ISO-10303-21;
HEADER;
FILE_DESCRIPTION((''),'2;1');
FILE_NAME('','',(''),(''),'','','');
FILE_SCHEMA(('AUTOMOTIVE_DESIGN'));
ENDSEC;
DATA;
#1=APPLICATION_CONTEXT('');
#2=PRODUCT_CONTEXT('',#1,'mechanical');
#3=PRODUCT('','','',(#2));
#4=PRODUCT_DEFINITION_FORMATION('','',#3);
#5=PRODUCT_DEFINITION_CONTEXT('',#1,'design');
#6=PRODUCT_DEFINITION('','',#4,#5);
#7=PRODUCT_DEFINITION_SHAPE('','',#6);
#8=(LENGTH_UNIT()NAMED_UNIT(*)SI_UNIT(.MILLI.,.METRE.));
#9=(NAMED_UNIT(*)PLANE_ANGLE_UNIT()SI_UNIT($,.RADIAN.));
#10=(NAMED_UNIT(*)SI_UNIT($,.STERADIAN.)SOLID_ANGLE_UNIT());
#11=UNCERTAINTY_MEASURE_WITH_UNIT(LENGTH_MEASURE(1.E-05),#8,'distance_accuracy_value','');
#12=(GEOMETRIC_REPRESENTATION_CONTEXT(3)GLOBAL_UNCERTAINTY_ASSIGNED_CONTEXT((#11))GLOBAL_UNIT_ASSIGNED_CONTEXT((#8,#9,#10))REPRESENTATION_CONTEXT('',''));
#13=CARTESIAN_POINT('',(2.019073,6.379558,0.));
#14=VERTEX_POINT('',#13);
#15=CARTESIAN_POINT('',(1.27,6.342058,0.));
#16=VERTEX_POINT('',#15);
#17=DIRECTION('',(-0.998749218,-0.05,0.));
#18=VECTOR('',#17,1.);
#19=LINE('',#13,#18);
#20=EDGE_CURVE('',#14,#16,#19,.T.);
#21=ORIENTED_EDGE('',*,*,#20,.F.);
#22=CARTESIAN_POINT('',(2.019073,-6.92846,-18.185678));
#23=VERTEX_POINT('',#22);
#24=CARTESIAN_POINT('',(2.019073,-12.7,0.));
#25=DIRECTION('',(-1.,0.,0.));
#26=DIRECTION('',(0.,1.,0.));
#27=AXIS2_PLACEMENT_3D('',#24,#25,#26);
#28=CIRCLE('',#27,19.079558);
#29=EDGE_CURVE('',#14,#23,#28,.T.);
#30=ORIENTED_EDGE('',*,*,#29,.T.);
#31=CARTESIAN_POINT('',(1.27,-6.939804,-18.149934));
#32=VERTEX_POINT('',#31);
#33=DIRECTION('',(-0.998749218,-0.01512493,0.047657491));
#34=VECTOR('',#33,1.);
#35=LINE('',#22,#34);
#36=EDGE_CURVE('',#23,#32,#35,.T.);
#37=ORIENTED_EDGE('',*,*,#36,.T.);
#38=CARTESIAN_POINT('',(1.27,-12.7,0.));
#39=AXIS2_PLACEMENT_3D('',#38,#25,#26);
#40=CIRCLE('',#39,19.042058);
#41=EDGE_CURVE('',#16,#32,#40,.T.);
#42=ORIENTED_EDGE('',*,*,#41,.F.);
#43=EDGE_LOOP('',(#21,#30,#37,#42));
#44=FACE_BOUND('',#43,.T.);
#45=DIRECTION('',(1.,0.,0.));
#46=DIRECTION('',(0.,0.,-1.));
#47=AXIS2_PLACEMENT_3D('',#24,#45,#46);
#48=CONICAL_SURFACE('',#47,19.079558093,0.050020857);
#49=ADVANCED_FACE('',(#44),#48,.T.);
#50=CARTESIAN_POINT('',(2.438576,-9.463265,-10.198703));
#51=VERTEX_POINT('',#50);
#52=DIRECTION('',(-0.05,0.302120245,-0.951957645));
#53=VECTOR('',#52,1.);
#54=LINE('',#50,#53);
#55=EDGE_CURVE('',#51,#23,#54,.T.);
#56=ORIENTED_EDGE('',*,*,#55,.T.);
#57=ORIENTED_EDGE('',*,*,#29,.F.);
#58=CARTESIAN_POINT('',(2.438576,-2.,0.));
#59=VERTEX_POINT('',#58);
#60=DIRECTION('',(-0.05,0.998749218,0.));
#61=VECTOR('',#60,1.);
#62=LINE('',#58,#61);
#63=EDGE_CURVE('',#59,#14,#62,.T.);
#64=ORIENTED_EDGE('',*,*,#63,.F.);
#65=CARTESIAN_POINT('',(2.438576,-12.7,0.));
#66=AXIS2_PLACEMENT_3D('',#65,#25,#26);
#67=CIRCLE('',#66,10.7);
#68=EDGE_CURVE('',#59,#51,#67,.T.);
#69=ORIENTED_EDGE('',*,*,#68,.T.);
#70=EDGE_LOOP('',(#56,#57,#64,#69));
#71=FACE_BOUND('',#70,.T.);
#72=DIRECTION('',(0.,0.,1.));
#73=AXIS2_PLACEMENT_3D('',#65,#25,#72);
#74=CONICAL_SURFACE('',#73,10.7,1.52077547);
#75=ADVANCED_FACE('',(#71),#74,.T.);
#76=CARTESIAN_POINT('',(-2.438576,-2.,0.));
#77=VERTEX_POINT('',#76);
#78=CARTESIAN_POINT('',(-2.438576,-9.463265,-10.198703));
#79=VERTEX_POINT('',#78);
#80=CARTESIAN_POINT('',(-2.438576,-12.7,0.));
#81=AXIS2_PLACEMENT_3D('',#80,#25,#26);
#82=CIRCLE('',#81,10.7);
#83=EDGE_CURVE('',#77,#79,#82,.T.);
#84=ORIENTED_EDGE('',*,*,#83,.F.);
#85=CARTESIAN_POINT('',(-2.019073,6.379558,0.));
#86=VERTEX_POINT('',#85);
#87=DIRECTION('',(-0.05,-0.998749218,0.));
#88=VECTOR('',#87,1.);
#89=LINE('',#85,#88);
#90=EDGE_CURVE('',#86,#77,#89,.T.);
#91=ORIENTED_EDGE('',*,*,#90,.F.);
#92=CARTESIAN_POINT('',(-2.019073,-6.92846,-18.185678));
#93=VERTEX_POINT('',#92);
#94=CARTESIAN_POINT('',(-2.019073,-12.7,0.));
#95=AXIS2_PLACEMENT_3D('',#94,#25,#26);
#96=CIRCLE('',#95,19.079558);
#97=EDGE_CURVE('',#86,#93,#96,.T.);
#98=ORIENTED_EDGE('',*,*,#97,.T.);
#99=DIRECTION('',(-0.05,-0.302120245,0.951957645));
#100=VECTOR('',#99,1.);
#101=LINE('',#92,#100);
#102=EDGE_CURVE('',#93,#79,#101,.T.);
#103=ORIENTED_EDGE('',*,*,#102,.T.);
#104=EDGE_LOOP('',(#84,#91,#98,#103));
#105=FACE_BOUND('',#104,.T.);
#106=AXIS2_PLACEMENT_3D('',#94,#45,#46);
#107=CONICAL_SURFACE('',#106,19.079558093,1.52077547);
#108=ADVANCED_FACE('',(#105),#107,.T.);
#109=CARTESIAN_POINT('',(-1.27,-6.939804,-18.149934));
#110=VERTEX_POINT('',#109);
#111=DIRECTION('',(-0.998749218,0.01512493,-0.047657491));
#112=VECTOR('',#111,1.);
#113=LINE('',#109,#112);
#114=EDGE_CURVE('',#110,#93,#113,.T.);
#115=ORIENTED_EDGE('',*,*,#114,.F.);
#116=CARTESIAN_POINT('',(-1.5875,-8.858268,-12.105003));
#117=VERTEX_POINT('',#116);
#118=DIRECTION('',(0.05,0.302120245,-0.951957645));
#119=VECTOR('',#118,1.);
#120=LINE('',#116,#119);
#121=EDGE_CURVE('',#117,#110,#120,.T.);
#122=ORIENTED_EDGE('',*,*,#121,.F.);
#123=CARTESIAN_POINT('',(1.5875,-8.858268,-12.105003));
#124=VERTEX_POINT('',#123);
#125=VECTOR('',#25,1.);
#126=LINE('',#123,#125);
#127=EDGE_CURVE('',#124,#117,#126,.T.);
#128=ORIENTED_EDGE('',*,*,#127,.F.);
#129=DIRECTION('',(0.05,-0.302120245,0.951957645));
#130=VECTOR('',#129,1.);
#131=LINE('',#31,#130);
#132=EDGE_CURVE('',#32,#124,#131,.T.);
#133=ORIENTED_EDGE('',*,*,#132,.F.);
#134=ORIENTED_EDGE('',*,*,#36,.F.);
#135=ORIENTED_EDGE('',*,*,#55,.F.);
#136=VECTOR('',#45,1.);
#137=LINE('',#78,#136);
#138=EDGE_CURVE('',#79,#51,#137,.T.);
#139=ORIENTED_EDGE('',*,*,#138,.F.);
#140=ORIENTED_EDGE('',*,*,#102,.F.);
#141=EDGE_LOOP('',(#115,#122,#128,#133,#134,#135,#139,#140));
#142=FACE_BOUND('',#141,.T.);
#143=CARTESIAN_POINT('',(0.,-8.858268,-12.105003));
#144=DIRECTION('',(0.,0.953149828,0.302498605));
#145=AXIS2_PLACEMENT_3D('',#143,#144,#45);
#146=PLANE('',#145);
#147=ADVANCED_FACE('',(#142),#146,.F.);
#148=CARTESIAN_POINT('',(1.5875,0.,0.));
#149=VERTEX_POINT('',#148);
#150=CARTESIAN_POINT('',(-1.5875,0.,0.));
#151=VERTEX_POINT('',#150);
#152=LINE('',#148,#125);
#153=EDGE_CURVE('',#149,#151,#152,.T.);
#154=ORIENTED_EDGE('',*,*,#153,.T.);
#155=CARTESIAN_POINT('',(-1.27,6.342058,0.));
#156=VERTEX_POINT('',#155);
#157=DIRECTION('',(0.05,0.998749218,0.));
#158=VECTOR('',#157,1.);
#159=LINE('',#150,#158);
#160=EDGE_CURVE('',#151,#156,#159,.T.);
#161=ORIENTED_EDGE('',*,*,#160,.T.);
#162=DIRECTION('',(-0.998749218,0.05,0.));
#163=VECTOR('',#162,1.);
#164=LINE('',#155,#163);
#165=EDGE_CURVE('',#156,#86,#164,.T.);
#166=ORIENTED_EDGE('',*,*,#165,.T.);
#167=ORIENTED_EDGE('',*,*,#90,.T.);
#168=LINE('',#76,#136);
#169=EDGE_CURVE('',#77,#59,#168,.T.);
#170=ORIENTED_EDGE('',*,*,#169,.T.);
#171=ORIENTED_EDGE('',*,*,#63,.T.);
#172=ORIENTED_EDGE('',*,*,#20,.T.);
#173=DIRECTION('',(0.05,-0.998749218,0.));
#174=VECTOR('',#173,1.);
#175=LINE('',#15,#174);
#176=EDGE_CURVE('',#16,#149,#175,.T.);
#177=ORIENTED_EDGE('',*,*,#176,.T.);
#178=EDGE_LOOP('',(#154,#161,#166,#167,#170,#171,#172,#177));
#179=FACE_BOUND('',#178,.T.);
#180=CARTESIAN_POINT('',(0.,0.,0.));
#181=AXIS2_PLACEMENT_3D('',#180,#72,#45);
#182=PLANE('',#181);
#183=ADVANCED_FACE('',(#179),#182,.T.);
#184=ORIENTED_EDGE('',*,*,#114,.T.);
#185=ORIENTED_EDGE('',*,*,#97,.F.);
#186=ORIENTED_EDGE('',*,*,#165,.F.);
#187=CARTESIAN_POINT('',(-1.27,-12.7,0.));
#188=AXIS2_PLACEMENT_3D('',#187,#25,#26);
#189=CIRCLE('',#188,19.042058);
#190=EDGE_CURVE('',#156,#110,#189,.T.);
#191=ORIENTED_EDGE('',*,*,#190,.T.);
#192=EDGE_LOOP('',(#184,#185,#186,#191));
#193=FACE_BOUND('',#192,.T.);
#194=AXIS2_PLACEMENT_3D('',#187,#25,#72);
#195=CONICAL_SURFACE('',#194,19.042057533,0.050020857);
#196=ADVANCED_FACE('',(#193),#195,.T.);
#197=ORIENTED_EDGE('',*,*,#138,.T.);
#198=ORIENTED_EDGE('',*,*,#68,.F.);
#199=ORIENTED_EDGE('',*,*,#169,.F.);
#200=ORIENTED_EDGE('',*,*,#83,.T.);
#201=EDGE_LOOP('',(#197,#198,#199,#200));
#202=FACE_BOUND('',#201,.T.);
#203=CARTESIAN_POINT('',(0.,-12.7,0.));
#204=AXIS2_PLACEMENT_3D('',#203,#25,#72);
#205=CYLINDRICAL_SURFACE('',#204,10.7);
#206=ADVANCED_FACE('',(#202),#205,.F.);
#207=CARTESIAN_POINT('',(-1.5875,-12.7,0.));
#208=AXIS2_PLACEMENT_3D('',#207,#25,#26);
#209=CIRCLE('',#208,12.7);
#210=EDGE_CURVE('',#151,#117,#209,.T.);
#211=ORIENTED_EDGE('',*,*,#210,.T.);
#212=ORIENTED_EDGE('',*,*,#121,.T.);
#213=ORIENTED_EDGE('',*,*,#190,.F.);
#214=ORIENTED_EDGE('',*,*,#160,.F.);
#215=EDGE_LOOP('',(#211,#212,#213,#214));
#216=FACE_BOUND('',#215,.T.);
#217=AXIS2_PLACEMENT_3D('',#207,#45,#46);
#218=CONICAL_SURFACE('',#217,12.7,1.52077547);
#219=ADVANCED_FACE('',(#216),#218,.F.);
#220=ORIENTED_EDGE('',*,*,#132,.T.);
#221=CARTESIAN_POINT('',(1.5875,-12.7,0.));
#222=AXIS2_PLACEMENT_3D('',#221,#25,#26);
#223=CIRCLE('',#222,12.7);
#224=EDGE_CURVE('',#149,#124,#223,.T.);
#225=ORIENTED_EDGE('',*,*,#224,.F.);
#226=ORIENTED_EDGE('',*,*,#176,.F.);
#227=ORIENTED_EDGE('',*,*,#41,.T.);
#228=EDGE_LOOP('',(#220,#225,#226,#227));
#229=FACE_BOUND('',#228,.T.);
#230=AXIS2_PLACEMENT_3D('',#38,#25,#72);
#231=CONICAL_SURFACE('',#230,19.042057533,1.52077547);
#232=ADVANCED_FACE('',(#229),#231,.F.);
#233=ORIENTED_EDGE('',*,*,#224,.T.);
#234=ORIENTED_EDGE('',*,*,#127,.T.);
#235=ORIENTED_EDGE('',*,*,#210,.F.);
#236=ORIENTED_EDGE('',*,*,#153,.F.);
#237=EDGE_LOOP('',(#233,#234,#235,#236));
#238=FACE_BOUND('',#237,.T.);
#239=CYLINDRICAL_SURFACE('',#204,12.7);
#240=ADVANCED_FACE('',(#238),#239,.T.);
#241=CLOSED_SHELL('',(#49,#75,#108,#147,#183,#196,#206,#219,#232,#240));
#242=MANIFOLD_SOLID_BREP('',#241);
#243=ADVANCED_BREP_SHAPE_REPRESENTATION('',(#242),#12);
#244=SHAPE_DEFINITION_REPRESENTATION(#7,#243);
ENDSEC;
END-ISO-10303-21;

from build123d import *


with BuildPart() as part:
    # Sweep1: sweep along a path in Sketch3
    with BuildLine(Plane(origin=(0, 0, 0), x_dir=(0, 0, -1), z_dir=(1, 0, 0))) as sweep1_path:
        ThreePointArc((0, 0), (7.5, -2.45109762), (12.105002811, -8.858267717))
    # Sketch1 → Sweep1 (sweep)
    with BuildSketch(Plane.XY):
        Polygon((-2.019073099, 6.379558093), (-2.43857571, -2), (2.43857571, -2), (2.019073099, 6.379558093), (1.27, 6.342057533), (1.5875, 0), (-1.5875, 0), (-1.27, 6.342057533), align=None)
    sweep(path=sweep1_path.line)


solid = part.part
